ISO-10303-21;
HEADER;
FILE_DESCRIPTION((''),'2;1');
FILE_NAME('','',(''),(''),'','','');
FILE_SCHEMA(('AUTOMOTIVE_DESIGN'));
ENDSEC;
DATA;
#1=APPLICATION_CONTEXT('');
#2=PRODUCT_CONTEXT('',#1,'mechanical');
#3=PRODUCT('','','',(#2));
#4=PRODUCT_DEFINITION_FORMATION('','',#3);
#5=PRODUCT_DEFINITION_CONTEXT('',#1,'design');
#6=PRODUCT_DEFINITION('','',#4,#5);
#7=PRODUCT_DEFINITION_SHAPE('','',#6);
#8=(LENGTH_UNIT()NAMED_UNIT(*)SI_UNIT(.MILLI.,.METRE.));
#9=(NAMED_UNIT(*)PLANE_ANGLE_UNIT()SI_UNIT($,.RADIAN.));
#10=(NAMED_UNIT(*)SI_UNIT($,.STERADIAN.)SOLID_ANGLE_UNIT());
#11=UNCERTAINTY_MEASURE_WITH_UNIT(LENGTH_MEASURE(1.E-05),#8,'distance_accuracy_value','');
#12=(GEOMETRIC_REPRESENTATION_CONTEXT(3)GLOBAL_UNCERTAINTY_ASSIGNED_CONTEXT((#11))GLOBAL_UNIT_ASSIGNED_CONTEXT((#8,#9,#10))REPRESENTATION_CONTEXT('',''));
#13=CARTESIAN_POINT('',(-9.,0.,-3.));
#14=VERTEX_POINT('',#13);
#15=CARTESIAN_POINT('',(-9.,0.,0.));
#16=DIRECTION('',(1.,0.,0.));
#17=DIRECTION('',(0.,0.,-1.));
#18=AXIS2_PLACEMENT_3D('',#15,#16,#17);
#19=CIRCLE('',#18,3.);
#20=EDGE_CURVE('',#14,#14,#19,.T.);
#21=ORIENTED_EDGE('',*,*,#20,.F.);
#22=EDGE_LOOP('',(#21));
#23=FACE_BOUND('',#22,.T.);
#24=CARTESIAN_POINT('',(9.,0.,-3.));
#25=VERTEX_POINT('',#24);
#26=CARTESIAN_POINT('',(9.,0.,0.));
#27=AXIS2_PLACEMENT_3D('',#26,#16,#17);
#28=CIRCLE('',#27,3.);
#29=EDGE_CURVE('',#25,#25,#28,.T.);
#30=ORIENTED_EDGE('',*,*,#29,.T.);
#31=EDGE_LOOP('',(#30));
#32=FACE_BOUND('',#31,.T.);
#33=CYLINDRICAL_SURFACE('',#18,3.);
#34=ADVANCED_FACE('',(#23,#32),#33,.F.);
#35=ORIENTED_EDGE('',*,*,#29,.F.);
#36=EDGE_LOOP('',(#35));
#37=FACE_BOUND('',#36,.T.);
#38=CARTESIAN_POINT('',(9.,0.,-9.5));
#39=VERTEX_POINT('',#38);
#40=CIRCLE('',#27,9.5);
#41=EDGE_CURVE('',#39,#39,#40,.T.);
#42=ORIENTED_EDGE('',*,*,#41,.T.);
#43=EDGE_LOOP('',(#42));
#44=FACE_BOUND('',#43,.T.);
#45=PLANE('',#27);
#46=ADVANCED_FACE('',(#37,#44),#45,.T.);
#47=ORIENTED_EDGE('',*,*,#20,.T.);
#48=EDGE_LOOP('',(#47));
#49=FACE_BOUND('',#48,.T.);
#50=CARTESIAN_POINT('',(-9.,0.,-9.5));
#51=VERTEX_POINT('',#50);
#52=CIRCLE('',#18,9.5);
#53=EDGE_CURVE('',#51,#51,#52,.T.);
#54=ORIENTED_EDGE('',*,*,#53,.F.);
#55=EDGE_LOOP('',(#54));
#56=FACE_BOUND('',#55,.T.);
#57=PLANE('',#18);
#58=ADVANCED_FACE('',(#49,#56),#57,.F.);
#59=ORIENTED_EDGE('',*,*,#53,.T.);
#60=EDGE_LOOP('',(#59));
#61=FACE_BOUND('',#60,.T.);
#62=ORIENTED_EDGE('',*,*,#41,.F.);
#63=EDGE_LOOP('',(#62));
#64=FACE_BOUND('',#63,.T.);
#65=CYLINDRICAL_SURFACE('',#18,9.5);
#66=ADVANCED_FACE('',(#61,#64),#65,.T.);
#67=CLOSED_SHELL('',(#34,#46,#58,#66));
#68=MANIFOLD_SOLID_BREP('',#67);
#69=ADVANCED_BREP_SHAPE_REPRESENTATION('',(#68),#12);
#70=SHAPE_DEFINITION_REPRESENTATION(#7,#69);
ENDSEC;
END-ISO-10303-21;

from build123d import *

# Parameters (mm, degrees)
BOSS_EXTRUDE1_DEPTH      = 9
BOSS_EXTRUDE1_DEPTH_BACK = 9
SKETCH1_R                = 9.5
SKETCH1_R_2              = 3


with BuildPart() as part:
    # Sketch1 → Boss-Extrude1 (new, two sides: drawn at the far end of the back side and taken through both)
    with BuildSketch(Plane(origin=(0, 0, 0), x_dir=(0, 0, -1), z_dir=(1, 0, 0)).offset(-BOSS_EXTRUDE1_DEPTH_BACK)):
        Circle(SKETCH1_R)
        Circle(SKETCH1_R_2, mode=Mode.SUBTRACT)
    extrude(amount=BOSS_EXTRUDE1_DEPTH + BOSS_EXTRUDE1_DEPTH_BACK)


solid = part.part
